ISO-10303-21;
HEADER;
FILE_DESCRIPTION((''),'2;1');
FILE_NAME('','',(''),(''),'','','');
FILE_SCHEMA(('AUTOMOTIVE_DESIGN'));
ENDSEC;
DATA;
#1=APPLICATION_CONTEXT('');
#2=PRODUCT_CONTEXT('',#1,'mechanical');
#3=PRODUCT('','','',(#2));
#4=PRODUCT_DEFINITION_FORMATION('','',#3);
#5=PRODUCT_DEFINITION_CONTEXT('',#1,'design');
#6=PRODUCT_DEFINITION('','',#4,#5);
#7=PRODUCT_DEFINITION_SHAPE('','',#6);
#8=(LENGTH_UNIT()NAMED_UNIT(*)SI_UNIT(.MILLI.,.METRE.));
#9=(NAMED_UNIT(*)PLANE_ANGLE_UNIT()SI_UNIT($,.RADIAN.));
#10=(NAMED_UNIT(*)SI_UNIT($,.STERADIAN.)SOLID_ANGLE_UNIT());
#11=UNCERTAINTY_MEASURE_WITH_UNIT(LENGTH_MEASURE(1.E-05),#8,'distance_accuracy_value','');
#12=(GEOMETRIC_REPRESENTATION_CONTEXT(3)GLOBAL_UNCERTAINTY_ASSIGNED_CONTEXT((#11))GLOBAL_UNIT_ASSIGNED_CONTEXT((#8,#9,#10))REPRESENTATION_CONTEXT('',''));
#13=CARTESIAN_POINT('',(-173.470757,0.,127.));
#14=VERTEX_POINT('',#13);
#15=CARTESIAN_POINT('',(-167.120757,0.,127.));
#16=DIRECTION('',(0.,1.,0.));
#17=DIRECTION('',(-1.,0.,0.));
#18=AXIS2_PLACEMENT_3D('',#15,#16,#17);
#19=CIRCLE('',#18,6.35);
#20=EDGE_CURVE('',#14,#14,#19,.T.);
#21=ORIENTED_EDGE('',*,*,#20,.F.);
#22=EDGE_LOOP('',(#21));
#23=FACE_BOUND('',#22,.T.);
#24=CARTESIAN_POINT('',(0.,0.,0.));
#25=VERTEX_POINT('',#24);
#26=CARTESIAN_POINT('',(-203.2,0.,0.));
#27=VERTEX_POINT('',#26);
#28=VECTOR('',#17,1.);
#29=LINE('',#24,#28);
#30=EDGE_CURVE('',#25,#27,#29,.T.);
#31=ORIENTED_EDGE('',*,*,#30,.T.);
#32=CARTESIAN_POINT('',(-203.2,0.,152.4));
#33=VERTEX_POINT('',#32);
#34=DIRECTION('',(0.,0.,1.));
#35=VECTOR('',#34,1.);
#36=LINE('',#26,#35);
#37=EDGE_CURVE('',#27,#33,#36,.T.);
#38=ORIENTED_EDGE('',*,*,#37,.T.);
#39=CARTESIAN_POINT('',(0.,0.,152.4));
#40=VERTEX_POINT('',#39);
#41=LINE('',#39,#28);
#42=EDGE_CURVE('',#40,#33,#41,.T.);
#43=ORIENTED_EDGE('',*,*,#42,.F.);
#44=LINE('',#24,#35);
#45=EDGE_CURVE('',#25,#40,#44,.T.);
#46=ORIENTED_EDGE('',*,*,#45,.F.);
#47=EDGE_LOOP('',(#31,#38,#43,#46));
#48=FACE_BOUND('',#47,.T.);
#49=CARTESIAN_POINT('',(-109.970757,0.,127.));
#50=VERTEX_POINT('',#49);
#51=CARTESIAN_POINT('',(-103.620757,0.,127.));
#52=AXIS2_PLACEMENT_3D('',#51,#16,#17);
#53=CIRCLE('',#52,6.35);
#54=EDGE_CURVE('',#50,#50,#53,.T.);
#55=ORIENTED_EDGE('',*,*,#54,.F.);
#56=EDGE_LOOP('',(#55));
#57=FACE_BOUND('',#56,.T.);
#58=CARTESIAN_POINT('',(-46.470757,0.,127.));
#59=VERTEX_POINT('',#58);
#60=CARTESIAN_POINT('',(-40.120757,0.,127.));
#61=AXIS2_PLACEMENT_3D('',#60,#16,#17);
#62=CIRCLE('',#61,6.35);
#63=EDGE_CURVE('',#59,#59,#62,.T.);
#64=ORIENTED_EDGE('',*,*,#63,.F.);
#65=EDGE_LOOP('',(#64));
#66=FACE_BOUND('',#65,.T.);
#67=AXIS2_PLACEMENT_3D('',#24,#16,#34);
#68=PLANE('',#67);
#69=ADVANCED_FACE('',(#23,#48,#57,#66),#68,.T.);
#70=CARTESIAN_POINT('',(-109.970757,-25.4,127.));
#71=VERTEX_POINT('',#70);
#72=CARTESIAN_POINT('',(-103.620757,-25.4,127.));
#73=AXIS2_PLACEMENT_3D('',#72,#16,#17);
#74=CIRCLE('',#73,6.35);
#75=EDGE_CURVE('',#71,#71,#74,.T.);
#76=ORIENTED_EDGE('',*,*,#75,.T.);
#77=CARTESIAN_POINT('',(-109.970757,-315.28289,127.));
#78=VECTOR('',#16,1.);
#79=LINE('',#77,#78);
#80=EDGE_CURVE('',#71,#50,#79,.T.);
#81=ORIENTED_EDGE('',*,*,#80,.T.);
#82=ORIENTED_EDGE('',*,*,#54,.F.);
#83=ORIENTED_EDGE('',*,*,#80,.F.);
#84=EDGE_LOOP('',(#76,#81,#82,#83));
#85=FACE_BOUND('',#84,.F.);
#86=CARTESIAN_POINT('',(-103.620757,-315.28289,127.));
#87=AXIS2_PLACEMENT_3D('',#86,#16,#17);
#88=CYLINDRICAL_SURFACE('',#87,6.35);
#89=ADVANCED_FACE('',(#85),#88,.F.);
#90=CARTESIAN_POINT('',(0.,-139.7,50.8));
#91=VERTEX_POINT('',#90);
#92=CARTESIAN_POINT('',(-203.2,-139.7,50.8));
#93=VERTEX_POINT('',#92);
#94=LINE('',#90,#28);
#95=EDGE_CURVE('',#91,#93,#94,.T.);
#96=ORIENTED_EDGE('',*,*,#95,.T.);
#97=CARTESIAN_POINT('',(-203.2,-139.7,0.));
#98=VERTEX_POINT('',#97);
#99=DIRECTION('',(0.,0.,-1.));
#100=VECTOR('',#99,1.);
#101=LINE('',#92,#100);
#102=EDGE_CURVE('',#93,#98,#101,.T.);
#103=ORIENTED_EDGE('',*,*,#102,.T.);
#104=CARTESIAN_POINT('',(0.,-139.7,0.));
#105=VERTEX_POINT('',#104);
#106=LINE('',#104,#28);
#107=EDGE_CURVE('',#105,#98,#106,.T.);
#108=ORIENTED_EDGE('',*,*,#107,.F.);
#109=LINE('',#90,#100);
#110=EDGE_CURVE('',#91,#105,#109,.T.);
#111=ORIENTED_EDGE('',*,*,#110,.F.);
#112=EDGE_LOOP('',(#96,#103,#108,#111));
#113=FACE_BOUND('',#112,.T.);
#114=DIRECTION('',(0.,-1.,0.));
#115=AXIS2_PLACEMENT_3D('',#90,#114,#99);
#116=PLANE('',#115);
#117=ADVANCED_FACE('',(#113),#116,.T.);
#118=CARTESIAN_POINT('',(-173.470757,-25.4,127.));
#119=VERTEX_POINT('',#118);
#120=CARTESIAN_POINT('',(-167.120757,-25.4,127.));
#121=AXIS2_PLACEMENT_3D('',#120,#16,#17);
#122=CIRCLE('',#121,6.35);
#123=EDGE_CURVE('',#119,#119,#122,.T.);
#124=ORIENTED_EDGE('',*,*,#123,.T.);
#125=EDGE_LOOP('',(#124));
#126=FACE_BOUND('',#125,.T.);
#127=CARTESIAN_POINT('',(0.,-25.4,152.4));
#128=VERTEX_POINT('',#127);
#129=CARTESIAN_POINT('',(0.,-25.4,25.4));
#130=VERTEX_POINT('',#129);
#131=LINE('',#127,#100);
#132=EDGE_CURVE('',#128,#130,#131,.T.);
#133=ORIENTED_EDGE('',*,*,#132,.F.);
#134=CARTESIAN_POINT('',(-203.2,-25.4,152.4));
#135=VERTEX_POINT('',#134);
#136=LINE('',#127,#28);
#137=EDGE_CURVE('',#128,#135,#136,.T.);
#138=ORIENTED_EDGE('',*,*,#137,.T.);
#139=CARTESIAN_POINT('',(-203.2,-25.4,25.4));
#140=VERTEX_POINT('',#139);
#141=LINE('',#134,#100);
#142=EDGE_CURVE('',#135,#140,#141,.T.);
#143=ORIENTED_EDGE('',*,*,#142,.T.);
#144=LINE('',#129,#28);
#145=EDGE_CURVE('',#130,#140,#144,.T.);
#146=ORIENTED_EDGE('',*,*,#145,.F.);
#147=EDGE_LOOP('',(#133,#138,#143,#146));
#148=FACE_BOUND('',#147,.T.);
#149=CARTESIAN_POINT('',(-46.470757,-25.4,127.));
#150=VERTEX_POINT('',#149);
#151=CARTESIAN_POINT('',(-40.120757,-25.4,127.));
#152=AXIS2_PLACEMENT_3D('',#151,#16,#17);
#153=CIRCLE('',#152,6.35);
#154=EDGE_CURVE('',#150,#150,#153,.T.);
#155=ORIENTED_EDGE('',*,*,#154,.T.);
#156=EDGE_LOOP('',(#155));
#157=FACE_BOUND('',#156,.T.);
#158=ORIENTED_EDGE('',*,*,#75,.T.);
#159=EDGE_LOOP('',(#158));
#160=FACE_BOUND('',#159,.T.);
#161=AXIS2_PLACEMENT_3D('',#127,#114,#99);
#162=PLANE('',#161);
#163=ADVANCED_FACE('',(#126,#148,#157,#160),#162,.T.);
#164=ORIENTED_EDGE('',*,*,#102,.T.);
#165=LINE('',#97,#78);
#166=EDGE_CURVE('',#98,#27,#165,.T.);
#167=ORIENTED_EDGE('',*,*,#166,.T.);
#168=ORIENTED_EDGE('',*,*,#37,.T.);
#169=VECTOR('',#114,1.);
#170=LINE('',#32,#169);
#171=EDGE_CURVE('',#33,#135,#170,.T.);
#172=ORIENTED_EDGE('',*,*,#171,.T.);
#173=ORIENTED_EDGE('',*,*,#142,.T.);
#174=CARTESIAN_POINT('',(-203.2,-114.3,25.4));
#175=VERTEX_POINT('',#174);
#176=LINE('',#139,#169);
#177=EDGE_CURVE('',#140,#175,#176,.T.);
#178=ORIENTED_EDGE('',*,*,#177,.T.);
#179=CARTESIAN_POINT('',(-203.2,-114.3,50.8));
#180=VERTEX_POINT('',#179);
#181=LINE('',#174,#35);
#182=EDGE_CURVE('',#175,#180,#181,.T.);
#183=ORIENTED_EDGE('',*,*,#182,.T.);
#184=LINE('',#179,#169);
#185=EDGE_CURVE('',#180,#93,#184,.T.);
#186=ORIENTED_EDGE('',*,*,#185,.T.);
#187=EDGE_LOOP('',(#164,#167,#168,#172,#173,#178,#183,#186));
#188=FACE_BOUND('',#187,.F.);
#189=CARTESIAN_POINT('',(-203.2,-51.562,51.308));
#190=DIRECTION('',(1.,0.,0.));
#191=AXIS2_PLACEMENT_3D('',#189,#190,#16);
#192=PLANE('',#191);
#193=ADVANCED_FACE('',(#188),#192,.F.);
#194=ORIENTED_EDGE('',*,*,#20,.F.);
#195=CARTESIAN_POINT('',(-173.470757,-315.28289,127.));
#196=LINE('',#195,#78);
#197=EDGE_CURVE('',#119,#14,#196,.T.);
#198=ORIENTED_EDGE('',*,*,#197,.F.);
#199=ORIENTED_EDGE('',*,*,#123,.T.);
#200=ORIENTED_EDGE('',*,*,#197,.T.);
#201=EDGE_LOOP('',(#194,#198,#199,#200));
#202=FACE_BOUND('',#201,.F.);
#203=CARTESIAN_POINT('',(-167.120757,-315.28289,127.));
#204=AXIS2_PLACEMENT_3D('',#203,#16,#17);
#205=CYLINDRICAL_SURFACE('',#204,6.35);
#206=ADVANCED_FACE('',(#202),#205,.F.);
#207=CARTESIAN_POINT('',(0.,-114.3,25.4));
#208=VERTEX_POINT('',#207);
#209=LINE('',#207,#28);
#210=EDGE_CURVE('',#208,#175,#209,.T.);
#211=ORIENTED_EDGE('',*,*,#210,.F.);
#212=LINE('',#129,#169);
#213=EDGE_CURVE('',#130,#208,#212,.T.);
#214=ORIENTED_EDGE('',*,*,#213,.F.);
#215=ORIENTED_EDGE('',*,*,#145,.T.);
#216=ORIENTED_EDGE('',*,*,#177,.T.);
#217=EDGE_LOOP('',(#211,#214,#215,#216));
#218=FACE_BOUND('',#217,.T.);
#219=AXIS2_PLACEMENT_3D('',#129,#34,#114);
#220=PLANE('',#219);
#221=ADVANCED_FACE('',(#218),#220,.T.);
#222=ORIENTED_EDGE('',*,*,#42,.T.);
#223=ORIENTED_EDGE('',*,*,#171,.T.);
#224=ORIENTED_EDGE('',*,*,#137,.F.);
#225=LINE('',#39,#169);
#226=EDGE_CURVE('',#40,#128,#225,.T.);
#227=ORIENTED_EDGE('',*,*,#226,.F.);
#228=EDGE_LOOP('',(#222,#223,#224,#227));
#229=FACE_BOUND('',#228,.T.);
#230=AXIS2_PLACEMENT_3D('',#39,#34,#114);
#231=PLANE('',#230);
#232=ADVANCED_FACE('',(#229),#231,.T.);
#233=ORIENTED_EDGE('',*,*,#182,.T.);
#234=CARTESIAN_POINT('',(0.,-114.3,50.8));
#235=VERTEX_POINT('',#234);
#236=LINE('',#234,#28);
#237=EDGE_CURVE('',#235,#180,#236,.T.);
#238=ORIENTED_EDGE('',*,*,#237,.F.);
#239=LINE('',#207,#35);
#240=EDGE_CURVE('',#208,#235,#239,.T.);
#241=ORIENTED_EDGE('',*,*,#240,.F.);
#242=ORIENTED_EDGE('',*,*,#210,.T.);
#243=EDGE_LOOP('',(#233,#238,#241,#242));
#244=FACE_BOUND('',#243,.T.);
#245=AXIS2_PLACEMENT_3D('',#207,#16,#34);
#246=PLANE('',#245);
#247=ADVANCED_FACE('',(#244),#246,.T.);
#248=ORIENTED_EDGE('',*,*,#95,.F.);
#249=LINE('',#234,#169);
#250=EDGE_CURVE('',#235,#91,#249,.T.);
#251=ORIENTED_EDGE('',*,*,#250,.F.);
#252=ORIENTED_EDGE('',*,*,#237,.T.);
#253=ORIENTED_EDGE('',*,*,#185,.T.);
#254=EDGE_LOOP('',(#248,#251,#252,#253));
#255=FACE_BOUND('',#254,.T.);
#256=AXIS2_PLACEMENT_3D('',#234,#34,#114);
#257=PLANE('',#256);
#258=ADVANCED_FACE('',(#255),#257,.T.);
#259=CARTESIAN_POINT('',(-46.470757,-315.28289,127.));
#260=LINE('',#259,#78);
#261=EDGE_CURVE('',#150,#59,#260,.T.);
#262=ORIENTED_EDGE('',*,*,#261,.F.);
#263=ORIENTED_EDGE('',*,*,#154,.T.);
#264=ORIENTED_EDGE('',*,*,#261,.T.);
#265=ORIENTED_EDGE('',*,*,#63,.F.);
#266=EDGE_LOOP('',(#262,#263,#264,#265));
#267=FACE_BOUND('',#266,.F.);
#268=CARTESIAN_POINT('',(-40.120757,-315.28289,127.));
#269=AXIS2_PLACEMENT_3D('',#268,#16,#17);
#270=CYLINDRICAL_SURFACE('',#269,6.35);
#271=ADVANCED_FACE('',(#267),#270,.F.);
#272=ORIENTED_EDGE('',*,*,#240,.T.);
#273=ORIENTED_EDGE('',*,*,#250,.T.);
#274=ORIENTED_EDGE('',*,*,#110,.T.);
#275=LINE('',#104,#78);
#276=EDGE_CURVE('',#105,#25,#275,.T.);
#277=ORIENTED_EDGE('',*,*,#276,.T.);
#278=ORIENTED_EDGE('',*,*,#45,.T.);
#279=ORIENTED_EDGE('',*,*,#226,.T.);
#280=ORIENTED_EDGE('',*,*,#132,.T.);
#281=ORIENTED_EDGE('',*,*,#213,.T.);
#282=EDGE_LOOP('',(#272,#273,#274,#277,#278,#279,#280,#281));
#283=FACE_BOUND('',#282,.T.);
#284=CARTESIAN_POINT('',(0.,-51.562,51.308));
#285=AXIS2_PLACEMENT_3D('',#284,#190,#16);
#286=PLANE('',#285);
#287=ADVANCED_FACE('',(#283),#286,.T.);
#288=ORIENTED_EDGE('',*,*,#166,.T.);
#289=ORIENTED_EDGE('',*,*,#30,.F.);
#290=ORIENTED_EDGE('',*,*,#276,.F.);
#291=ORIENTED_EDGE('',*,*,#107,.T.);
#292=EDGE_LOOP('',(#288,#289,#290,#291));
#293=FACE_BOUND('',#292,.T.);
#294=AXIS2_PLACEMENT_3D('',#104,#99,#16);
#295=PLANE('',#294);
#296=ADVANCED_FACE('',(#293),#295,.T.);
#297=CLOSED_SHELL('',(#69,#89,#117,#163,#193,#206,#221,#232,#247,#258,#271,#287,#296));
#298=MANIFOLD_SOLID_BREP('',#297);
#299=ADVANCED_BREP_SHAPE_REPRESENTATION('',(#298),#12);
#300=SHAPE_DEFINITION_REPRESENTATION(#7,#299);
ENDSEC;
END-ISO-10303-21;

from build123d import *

# Parameters (mm, degrees)
F1_DEPTH = 203.2
F3_D     = 12.7


with BuildPart() as f1:
    # F0 (on Right) → F1 (new body)
    with BuildSketch(Plane.YZ):
        Polygon((-139.7, 0), (0, 0), (0, 152.4), (-25.4, 152.4), (-25.4, 25.4), (-114.3, 25.4), (-114.3, 50.8), (-139.7, 50.8), align=None)
    extrude(amount=-F1_DEPTH)

    # F3 (through all)
    with Locations(Plane.XZ.offset(25.4)):
        with Locations((-167.120757, 127), (-103.620757, 127), (-40.120757, 127)):
            Hole(F3_D / 2)


solid = f1.part
